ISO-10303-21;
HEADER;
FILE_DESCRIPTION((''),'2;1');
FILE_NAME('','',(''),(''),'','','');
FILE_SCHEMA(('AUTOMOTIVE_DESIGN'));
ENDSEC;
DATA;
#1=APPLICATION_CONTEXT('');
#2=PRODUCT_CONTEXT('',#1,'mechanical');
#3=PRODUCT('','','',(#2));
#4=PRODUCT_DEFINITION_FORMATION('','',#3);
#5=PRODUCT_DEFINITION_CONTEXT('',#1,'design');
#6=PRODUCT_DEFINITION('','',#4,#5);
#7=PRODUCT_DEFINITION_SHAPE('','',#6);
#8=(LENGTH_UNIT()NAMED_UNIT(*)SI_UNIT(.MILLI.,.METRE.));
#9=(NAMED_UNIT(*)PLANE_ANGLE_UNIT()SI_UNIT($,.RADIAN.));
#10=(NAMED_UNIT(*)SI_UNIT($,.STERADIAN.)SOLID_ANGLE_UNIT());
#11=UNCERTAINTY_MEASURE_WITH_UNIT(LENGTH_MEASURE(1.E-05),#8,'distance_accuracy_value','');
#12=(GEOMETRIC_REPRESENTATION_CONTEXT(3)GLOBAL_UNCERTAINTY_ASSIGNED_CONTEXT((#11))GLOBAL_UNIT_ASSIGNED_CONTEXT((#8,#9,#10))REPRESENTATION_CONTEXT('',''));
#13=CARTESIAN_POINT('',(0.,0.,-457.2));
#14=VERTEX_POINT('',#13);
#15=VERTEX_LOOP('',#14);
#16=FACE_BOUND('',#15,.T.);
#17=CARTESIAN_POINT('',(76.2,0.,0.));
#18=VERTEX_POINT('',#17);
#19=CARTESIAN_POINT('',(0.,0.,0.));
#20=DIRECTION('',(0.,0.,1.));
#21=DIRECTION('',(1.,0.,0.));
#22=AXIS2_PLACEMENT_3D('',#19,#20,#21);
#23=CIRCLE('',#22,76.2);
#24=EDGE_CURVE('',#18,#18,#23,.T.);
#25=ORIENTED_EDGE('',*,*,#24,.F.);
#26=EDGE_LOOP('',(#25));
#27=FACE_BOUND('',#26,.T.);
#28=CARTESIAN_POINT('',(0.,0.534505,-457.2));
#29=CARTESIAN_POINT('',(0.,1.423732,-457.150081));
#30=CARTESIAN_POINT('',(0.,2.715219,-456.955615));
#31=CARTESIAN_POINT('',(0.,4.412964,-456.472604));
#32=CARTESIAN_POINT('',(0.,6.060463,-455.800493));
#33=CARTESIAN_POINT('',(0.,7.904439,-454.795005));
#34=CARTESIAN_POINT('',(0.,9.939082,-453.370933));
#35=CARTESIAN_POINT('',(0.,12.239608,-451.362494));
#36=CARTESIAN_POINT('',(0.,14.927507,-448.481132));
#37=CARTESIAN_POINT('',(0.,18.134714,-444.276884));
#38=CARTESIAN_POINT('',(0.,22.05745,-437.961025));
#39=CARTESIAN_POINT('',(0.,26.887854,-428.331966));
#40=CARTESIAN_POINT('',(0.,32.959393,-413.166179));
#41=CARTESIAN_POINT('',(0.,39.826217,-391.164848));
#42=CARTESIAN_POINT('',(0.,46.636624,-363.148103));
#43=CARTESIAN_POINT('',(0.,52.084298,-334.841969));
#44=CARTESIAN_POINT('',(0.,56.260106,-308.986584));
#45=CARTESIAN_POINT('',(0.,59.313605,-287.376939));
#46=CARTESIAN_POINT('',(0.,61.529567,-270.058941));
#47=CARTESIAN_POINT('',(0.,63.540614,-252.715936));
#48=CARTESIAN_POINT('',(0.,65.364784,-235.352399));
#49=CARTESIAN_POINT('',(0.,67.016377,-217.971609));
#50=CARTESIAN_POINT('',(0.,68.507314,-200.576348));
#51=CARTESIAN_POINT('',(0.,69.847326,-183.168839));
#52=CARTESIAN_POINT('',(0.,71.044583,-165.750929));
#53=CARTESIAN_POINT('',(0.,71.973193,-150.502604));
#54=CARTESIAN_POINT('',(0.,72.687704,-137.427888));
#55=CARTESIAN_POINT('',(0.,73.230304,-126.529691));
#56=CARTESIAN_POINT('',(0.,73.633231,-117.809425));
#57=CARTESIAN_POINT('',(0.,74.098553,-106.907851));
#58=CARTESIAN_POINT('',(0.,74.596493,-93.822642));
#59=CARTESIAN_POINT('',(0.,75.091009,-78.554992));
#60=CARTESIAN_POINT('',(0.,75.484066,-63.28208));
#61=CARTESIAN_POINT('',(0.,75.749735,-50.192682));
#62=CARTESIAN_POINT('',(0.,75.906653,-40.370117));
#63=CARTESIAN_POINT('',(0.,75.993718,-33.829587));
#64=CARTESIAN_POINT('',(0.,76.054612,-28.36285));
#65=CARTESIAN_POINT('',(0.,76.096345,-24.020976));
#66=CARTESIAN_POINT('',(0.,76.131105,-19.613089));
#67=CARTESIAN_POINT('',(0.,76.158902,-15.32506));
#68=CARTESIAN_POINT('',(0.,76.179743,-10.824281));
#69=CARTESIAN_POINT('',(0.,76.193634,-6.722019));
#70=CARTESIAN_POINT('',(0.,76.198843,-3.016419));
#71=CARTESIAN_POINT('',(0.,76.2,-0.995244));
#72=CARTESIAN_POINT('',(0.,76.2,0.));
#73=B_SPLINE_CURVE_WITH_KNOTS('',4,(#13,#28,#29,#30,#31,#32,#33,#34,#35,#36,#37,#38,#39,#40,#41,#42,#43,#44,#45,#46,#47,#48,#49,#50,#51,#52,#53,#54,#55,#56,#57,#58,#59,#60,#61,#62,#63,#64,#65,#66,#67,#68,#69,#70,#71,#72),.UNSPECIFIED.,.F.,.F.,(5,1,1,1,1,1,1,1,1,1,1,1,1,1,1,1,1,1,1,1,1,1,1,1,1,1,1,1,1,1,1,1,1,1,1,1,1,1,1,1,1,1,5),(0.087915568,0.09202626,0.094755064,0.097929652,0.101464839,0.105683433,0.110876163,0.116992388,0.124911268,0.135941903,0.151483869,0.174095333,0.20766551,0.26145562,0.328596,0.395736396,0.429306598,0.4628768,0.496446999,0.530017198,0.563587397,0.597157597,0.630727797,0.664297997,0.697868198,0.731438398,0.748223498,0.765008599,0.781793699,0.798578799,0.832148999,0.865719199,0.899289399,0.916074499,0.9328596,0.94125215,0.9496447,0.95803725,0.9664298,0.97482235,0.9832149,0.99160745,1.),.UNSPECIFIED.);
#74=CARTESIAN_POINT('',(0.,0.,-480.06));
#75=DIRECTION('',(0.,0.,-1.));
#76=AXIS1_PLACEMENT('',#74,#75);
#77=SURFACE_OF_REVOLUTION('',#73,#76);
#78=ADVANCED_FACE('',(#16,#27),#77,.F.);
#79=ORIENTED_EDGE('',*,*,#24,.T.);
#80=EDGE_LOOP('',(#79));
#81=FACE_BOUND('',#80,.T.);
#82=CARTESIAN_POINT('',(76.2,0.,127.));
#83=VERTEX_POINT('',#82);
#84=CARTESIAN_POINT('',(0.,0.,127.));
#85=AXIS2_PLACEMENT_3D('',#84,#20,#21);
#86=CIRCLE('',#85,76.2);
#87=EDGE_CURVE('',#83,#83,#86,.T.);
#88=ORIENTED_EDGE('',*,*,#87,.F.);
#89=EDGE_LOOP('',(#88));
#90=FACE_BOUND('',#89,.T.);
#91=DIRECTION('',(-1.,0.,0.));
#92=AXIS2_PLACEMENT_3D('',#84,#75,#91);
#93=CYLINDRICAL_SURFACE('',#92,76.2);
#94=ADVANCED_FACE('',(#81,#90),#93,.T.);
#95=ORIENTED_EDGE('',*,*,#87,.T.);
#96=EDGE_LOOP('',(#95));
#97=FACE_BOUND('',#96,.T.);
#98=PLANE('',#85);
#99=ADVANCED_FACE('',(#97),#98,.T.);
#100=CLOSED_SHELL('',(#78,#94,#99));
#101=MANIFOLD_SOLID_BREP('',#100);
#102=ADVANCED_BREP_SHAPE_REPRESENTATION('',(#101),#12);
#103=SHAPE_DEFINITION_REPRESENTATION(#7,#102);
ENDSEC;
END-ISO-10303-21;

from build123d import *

# Parameters (mm, degrees)
SKETCH2_R           = 76.2
BOSS_EXTRUDE1_DEPTH = 127


with BuildPart() as part:
    # Sketch1 → Revolve1 (revolve)
    with BuildSketch(Plane(origin=(0, 0, 0), x_dir=(0, 0, -1), z_dir=(1, 0, 0))):
        with BuildLine():
            Line((0, 76.2), (0, 0))
            Line((0, 0), (457.2, 0))
            add(Edge.make_bspline(
                [(0, 76.2), (0.995244189, 76.2), (3.01641859, 76.198842555), (6.722019403, 76.193634051), (10.824280737, 76.179742878), (15.325060334, 76.158901546), (19.613089499, 76.131104558), (24.020975902, 76.096344577), (28.362850291, 76.054612408), (33.829586727, 75.993718152), (40.370117024, 75.906652678), (50.192682054, 75.74973543), (63.282080413, 75.484066088), (78.554992233, 75.091009492), (93.822641827, 74.596492522), (106.907850963, 74.098553478), (117.809424576, 73.633230741), (126.529690709, 73.230304256), (137.427887861, 72.68770416), (150.502604003, 71.973193153), (165.750929013, 71.04458297), (183.168839163, 69.847325623), (200.576347757, 68.50731355), (217.971608603, 67.016377106), (235.352399191, 65.364784332), (252.715935846, 63.540614009), (270.058940881, 61.529567187), (287.376938666, 59.313605436), (308.986583679, 56.260106437), (334.841968839, 52.084297907), (363.148103266, 46.636624279), (391.164847979, 39.826216584), (413.166178505, 32.959393199), (428.331965643, 26.887853975), (437.961024741, 22.05744974), (444.276883573, 18.134713622), (448.481131891, 14.927506736), (451.362493851, 12.239607519), (453.370933283, 9.939081967), (454.795004944, 7.904438878), (455.800493323, 6.060462717), (456.472604248, 4.412963809), (456.955614881, 2.715219236), (457.150080642, 1.423732381), (457.199999783, 0.534505426), (457.2, 0)],
                knots=[0.087915568, 0.087915568, 0.087915568, 0.087915568, 0.087915568, 0.096308118, 0.104700669, 0.113093219, 0.121485769, 0.129878319, 0.138270869, 0.146663419, 0.155055969, 0.171841069, 0.188626169, 0.222196369, 0.255766569, 0.28933677, 0.30612187, 0.32290697, 0.33969207, 0.35647717, 0.390047371, 0.423617571, 0.457187771, 0.490757971, 0.524328171, 0.557898371, 0.59146857, 0.625038769, 0.65860897, 0.692179172, 0.759319568, 0.826459948, 0.880250059, 0.913820236, 0.936431699, 0.951973665, 0.9630043, 0.97092318, 0.977039405, 0.982232135, 0.98645073, 0.989985916, 0.993160505, 0.995889308, 1, 1, 1, 1, 1], degree=4))
        make_face()
    revolve(axis=Axis((0, 0, -480.06), (0, 0, 1)))

    # Sketch2 → Boss-Extrude1 (add)
    with BuildSketch(Plane.XY):
        Circle(SKETCH2_R)
    extrude(amount=BOSS_EXTRUDE1_DEPTH)


solid = part.part
